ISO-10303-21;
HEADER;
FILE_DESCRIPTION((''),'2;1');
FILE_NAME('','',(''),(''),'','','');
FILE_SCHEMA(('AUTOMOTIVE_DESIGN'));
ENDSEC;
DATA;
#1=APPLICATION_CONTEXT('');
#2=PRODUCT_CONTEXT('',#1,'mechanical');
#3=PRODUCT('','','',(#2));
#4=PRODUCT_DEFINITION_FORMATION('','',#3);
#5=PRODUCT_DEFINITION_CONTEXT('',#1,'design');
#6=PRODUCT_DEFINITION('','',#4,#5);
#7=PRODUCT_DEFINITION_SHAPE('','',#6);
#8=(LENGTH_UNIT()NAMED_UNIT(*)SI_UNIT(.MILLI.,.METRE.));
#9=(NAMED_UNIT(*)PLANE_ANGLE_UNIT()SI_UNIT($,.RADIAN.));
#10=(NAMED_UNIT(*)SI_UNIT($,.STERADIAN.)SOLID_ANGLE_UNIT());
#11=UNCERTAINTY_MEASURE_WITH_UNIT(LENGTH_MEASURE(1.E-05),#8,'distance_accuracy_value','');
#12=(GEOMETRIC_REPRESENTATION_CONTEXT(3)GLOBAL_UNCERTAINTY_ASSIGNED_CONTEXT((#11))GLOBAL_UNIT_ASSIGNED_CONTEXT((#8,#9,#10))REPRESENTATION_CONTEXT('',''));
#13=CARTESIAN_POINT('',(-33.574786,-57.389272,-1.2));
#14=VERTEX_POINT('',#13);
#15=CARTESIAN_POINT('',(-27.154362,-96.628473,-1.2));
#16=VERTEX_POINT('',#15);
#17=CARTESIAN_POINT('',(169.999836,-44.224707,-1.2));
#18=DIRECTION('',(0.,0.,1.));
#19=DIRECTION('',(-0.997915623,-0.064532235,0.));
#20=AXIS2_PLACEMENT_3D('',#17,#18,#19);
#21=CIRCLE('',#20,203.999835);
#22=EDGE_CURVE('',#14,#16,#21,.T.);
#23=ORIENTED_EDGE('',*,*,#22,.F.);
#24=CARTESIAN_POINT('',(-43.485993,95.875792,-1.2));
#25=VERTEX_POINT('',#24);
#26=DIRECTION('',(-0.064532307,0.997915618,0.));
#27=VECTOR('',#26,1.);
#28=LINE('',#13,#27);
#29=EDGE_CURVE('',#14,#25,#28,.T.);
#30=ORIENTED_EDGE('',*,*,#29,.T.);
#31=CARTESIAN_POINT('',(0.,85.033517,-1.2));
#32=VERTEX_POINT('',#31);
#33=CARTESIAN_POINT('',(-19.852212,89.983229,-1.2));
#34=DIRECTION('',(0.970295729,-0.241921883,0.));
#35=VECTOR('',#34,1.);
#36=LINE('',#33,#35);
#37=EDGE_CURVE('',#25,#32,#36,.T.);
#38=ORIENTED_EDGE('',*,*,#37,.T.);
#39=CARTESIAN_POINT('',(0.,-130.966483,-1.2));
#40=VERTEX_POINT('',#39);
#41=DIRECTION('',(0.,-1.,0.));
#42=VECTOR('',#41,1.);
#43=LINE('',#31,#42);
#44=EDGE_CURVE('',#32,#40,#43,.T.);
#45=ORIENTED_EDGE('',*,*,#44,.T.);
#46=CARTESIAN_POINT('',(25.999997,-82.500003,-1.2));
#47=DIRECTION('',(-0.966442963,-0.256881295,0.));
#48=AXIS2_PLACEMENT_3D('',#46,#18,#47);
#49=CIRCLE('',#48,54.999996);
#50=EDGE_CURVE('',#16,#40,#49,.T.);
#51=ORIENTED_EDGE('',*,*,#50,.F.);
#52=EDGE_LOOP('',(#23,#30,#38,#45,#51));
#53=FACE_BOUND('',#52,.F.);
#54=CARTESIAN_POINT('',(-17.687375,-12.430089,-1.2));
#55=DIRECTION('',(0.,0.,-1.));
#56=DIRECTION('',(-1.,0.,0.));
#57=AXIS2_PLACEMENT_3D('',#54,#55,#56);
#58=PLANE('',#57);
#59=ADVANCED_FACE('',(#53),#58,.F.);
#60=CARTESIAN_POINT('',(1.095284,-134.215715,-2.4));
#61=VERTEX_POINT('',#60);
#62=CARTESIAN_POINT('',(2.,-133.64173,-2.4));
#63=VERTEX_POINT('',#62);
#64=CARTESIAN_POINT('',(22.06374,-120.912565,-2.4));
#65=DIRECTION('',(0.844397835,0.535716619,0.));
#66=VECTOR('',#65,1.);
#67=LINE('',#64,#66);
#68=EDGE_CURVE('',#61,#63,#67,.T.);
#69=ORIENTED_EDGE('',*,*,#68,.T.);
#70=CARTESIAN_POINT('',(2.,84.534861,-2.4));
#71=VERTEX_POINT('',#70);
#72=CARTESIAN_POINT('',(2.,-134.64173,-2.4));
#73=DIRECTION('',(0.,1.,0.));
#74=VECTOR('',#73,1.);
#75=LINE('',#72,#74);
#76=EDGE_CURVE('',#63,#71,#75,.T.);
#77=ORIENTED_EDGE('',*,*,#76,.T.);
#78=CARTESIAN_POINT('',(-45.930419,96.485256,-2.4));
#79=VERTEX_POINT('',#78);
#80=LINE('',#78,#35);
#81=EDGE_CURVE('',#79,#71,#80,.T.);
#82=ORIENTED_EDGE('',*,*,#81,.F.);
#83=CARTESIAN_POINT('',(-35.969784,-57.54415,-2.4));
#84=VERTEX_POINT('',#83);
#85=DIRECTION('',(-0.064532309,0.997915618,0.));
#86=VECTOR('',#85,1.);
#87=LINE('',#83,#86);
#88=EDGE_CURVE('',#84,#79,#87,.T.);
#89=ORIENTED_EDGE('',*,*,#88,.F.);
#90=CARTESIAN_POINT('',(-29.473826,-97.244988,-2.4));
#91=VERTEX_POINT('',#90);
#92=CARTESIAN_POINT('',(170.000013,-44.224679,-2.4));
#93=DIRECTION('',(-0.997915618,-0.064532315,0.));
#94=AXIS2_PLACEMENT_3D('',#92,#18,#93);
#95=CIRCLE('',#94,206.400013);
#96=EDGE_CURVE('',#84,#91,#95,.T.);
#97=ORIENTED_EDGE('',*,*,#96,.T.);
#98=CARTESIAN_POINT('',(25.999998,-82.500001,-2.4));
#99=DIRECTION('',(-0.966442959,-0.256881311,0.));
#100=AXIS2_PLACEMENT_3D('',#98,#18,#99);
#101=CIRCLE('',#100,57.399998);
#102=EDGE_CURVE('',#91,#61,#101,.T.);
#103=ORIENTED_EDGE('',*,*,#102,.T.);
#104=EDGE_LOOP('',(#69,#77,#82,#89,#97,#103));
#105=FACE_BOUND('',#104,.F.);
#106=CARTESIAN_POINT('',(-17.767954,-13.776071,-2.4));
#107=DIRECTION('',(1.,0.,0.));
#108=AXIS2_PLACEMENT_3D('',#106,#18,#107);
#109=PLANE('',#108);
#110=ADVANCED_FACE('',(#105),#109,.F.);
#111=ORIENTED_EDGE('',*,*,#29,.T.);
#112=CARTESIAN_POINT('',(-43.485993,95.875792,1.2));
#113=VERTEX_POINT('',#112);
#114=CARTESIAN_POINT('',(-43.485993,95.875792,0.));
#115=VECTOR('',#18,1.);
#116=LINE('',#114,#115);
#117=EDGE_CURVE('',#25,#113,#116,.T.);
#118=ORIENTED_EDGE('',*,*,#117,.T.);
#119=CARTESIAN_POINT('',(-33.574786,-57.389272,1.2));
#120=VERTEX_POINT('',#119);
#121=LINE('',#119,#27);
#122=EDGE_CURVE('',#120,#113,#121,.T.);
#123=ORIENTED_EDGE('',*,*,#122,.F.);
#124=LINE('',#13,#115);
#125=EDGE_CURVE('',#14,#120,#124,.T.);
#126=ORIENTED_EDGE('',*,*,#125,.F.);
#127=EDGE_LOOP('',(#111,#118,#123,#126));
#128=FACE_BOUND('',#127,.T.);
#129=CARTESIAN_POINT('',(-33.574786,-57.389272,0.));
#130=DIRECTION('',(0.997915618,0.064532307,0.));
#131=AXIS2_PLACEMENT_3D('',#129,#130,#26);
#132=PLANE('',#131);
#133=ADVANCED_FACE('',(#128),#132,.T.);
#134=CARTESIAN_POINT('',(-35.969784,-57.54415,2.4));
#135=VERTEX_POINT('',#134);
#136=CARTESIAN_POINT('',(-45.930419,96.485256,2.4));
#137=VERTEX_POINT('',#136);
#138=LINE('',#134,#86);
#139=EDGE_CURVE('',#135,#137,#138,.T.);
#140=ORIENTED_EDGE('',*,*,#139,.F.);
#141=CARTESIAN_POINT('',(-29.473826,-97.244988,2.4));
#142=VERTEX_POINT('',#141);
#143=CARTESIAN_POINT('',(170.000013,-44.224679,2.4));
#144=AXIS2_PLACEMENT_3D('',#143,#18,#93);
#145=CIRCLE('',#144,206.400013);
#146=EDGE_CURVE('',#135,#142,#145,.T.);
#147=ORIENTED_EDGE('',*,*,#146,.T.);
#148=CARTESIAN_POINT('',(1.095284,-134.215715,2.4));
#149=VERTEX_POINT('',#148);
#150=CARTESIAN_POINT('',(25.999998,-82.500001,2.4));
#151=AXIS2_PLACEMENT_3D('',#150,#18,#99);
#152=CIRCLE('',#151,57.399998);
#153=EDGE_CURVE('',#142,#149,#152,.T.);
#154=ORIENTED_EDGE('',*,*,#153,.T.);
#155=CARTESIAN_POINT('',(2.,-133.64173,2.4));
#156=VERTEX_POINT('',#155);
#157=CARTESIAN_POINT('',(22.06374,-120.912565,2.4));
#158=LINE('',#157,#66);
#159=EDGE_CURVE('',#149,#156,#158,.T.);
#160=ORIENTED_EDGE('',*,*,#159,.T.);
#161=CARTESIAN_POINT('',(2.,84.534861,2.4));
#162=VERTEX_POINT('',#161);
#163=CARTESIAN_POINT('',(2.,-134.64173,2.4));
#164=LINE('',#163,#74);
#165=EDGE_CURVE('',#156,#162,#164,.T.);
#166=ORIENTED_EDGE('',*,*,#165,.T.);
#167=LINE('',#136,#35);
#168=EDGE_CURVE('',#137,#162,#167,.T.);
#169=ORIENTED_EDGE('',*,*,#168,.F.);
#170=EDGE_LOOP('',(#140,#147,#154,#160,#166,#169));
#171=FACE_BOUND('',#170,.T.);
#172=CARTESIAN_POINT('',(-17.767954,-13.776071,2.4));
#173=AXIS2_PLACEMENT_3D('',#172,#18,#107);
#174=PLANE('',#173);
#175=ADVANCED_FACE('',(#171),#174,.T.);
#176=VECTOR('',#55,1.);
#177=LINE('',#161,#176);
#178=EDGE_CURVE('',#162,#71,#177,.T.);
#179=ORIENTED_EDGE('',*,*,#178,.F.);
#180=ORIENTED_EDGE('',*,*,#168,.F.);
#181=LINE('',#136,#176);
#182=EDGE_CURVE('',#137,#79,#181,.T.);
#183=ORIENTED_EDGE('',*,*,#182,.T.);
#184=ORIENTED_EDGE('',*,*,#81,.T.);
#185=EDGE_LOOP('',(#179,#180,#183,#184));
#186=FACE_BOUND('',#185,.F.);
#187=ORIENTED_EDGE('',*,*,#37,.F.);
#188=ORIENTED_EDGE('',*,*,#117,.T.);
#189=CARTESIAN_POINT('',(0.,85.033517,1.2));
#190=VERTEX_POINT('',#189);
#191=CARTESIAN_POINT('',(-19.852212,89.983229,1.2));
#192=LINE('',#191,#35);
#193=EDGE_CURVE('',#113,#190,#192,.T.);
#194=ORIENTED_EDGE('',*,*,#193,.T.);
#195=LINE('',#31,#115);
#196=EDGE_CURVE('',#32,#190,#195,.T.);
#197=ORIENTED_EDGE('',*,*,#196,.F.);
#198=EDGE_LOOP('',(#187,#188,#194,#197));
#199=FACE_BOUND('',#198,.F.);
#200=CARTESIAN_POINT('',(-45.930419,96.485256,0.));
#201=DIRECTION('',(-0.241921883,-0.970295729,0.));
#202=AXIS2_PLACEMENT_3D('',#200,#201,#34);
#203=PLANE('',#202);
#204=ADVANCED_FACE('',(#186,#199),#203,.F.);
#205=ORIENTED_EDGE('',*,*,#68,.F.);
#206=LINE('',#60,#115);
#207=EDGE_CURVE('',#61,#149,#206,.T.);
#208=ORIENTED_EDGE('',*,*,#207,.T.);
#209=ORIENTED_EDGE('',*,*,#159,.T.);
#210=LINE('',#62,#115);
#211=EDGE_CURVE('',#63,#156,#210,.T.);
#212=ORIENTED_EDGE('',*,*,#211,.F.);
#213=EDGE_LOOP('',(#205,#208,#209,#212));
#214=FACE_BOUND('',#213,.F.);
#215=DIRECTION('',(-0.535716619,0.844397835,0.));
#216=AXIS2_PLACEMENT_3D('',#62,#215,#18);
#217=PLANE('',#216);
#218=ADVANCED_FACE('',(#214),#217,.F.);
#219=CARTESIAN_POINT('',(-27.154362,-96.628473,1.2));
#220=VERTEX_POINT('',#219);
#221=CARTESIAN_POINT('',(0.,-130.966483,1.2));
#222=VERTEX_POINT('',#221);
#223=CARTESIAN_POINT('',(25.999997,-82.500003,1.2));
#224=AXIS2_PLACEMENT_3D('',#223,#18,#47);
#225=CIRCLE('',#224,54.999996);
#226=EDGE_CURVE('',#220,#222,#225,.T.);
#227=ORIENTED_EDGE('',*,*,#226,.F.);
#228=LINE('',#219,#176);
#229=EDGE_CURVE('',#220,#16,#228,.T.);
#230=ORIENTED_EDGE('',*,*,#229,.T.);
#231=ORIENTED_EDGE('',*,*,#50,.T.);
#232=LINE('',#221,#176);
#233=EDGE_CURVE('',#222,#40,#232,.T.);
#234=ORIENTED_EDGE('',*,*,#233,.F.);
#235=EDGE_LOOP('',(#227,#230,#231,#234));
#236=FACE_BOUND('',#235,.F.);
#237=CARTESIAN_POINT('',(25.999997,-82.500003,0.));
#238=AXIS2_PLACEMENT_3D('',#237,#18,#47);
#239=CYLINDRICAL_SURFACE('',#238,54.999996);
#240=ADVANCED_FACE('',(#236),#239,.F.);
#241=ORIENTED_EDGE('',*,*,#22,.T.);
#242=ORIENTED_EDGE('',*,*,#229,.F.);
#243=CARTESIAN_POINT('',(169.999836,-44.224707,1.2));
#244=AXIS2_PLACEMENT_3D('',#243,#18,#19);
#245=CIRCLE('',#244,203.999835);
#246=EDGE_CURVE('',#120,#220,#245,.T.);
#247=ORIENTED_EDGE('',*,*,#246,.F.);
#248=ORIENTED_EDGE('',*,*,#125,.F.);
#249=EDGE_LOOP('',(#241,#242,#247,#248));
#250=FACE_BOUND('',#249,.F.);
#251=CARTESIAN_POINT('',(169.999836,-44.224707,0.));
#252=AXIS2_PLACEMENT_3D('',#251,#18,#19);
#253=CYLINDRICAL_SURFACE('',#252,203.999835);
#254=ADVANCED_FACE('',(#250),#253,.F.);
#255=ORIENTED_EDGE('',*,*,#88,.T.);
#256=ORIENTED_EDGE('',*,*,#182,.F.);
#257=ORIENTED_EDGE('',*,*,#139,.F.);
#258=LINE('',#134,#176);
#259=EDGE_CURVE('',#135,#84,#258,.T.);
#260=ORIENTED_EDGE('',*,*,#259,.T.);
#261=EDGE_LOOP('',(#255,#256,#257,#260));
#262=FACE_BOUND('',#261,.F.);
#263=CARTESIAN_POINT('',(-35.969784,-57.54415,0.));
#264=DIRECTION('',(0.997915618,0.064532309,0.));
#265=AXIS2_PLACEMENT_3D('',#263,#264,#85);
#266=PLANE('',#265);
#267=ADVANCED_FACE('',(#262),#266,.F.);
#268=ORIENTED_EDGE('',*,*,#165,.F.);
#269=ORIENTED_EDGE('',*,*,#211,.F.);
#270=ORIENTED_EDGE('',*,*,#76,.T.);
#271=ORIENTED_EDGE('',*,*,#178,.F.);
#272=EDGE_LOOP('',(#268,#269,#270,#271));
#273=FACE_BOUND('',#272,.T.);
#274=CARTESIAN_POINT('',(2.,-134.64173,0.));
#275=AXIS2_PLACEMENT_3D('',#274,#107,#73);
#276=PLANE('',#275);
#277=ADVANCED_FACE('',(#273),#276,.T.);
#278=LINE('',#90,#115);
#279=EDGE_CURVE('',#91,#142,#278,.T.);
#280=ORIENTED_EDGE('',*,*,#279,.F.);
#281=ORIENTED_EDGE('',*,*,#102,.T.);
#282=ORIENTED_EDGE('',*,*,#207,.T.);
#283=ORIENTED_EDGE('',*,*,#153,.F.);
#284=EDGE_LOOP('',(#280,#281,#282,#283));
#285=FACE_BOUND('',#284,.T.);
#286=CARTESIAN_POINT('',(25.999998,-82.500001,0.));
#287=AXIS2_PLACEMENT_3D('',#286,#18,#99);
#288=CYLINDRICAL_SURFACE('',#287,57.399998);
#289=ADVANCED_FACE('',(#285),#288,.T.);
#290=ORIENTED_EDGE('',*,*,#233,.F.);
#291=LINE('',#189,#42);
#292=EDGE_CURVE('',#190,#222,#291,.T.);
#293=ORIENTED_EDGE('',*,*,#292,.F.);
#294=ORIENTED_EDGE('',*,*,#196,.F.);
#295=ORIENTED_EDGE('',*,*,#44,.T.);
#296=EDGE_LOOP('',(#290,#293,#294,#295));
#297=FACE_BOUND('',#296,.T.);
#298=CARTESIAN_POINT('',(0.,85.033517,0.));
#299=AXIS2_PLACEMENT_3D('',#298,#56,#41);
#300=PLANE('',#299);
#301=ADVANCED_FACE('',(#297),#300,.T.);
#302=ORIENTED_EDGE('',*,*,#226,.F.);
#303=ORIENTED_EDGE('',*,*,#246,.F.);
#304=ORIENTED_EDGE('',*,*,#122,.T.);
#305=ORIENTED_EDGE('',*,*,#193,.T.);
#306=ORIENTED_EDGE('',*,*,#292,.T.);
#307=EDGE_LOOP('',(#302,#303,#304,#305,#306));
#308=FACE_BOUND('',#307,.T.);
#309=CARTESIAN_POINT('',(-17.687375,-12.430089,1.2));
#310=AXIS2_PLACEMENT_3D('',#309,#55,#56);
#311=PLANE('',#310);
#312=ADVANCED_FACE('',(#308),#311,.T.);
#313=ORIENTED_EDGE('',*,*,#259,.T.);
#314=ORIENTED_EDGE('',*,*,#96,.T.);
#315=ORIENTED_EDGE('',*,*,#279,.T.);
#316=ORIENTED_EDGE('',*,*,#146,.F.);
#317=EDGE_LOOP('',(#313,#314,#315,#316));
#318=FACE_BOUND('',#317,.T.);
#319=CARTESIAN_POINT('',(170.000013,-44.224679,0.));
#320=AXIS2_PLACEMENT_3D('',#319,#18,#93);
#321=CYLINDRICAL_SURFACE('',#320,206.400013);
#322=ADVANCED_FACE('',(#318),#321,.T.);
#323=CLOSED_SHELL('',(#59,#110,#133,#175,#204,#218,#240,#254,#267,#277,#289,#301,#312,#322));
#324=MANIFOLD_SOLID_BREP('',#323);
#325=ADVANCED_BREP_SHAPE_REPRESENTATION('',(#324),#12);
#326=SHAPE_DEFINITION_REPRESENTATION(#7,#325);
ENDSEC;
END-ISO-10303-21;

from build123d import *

# Parameters (mm, degrees)
PAD_DEPTH    = 2.4
POCKET_DEPTH = 1.2
CHAMFER_SIZE = 1


with BuildPart() as part:
    # Sketch001 → Pad (new body, symmetric)
    with BuildSketch(Plane.XY):
        with BuildLine():
            ThreePointArc((-35.969784, -57.54415), (-33.691358, -77.55321), (-29.473826, -97.244988))
            ThreePointArc((-29.473826, -97.244988), (-17.916413, -119.460908), (2, -134.64173))
            Line((2, -134.64173), (2, 84.534861))
            Line((-45.930419, 96.485256), (2, 84.534861))
            Line((-35.969784, -57.54415), (-45.930419, 96.485256))
        make_face()
    extrude(amount=PAD_DEPTH, both=True)

    # Sketch → Pocket (cut, symmetric)
    with BuildSketch(Plane.XY):
        with BuildLine():
            Line((0, 85.033517), (0, -130.966483))
            ThreePointArc((-27.154362, -96.628473), (-17.140793, -116.615568), (0, -130.966483))
            ThreePointArc((-33.574786, -57.389272), (-31.322854, -77.165669), (-27.154362, -96.628473))
            Line((-33.574786, -57.389272), (-43.485993, 95.875793))
            Line((-43.485993, 95.875793), (0, 85.033517))
        make_face()
    extrude(amount=POCKET_DEPTH, both=True, mode=Mode.SUBTRACT)

    # Chamfer
    chamfer_edges = [part.edges().sort_by_distance(p)[0] for p in [
        (2, -134.64173, 0),
    ]]
    chamfer(chamfer_edges, length=CHAMFER_SIZE)


solid = part.part
